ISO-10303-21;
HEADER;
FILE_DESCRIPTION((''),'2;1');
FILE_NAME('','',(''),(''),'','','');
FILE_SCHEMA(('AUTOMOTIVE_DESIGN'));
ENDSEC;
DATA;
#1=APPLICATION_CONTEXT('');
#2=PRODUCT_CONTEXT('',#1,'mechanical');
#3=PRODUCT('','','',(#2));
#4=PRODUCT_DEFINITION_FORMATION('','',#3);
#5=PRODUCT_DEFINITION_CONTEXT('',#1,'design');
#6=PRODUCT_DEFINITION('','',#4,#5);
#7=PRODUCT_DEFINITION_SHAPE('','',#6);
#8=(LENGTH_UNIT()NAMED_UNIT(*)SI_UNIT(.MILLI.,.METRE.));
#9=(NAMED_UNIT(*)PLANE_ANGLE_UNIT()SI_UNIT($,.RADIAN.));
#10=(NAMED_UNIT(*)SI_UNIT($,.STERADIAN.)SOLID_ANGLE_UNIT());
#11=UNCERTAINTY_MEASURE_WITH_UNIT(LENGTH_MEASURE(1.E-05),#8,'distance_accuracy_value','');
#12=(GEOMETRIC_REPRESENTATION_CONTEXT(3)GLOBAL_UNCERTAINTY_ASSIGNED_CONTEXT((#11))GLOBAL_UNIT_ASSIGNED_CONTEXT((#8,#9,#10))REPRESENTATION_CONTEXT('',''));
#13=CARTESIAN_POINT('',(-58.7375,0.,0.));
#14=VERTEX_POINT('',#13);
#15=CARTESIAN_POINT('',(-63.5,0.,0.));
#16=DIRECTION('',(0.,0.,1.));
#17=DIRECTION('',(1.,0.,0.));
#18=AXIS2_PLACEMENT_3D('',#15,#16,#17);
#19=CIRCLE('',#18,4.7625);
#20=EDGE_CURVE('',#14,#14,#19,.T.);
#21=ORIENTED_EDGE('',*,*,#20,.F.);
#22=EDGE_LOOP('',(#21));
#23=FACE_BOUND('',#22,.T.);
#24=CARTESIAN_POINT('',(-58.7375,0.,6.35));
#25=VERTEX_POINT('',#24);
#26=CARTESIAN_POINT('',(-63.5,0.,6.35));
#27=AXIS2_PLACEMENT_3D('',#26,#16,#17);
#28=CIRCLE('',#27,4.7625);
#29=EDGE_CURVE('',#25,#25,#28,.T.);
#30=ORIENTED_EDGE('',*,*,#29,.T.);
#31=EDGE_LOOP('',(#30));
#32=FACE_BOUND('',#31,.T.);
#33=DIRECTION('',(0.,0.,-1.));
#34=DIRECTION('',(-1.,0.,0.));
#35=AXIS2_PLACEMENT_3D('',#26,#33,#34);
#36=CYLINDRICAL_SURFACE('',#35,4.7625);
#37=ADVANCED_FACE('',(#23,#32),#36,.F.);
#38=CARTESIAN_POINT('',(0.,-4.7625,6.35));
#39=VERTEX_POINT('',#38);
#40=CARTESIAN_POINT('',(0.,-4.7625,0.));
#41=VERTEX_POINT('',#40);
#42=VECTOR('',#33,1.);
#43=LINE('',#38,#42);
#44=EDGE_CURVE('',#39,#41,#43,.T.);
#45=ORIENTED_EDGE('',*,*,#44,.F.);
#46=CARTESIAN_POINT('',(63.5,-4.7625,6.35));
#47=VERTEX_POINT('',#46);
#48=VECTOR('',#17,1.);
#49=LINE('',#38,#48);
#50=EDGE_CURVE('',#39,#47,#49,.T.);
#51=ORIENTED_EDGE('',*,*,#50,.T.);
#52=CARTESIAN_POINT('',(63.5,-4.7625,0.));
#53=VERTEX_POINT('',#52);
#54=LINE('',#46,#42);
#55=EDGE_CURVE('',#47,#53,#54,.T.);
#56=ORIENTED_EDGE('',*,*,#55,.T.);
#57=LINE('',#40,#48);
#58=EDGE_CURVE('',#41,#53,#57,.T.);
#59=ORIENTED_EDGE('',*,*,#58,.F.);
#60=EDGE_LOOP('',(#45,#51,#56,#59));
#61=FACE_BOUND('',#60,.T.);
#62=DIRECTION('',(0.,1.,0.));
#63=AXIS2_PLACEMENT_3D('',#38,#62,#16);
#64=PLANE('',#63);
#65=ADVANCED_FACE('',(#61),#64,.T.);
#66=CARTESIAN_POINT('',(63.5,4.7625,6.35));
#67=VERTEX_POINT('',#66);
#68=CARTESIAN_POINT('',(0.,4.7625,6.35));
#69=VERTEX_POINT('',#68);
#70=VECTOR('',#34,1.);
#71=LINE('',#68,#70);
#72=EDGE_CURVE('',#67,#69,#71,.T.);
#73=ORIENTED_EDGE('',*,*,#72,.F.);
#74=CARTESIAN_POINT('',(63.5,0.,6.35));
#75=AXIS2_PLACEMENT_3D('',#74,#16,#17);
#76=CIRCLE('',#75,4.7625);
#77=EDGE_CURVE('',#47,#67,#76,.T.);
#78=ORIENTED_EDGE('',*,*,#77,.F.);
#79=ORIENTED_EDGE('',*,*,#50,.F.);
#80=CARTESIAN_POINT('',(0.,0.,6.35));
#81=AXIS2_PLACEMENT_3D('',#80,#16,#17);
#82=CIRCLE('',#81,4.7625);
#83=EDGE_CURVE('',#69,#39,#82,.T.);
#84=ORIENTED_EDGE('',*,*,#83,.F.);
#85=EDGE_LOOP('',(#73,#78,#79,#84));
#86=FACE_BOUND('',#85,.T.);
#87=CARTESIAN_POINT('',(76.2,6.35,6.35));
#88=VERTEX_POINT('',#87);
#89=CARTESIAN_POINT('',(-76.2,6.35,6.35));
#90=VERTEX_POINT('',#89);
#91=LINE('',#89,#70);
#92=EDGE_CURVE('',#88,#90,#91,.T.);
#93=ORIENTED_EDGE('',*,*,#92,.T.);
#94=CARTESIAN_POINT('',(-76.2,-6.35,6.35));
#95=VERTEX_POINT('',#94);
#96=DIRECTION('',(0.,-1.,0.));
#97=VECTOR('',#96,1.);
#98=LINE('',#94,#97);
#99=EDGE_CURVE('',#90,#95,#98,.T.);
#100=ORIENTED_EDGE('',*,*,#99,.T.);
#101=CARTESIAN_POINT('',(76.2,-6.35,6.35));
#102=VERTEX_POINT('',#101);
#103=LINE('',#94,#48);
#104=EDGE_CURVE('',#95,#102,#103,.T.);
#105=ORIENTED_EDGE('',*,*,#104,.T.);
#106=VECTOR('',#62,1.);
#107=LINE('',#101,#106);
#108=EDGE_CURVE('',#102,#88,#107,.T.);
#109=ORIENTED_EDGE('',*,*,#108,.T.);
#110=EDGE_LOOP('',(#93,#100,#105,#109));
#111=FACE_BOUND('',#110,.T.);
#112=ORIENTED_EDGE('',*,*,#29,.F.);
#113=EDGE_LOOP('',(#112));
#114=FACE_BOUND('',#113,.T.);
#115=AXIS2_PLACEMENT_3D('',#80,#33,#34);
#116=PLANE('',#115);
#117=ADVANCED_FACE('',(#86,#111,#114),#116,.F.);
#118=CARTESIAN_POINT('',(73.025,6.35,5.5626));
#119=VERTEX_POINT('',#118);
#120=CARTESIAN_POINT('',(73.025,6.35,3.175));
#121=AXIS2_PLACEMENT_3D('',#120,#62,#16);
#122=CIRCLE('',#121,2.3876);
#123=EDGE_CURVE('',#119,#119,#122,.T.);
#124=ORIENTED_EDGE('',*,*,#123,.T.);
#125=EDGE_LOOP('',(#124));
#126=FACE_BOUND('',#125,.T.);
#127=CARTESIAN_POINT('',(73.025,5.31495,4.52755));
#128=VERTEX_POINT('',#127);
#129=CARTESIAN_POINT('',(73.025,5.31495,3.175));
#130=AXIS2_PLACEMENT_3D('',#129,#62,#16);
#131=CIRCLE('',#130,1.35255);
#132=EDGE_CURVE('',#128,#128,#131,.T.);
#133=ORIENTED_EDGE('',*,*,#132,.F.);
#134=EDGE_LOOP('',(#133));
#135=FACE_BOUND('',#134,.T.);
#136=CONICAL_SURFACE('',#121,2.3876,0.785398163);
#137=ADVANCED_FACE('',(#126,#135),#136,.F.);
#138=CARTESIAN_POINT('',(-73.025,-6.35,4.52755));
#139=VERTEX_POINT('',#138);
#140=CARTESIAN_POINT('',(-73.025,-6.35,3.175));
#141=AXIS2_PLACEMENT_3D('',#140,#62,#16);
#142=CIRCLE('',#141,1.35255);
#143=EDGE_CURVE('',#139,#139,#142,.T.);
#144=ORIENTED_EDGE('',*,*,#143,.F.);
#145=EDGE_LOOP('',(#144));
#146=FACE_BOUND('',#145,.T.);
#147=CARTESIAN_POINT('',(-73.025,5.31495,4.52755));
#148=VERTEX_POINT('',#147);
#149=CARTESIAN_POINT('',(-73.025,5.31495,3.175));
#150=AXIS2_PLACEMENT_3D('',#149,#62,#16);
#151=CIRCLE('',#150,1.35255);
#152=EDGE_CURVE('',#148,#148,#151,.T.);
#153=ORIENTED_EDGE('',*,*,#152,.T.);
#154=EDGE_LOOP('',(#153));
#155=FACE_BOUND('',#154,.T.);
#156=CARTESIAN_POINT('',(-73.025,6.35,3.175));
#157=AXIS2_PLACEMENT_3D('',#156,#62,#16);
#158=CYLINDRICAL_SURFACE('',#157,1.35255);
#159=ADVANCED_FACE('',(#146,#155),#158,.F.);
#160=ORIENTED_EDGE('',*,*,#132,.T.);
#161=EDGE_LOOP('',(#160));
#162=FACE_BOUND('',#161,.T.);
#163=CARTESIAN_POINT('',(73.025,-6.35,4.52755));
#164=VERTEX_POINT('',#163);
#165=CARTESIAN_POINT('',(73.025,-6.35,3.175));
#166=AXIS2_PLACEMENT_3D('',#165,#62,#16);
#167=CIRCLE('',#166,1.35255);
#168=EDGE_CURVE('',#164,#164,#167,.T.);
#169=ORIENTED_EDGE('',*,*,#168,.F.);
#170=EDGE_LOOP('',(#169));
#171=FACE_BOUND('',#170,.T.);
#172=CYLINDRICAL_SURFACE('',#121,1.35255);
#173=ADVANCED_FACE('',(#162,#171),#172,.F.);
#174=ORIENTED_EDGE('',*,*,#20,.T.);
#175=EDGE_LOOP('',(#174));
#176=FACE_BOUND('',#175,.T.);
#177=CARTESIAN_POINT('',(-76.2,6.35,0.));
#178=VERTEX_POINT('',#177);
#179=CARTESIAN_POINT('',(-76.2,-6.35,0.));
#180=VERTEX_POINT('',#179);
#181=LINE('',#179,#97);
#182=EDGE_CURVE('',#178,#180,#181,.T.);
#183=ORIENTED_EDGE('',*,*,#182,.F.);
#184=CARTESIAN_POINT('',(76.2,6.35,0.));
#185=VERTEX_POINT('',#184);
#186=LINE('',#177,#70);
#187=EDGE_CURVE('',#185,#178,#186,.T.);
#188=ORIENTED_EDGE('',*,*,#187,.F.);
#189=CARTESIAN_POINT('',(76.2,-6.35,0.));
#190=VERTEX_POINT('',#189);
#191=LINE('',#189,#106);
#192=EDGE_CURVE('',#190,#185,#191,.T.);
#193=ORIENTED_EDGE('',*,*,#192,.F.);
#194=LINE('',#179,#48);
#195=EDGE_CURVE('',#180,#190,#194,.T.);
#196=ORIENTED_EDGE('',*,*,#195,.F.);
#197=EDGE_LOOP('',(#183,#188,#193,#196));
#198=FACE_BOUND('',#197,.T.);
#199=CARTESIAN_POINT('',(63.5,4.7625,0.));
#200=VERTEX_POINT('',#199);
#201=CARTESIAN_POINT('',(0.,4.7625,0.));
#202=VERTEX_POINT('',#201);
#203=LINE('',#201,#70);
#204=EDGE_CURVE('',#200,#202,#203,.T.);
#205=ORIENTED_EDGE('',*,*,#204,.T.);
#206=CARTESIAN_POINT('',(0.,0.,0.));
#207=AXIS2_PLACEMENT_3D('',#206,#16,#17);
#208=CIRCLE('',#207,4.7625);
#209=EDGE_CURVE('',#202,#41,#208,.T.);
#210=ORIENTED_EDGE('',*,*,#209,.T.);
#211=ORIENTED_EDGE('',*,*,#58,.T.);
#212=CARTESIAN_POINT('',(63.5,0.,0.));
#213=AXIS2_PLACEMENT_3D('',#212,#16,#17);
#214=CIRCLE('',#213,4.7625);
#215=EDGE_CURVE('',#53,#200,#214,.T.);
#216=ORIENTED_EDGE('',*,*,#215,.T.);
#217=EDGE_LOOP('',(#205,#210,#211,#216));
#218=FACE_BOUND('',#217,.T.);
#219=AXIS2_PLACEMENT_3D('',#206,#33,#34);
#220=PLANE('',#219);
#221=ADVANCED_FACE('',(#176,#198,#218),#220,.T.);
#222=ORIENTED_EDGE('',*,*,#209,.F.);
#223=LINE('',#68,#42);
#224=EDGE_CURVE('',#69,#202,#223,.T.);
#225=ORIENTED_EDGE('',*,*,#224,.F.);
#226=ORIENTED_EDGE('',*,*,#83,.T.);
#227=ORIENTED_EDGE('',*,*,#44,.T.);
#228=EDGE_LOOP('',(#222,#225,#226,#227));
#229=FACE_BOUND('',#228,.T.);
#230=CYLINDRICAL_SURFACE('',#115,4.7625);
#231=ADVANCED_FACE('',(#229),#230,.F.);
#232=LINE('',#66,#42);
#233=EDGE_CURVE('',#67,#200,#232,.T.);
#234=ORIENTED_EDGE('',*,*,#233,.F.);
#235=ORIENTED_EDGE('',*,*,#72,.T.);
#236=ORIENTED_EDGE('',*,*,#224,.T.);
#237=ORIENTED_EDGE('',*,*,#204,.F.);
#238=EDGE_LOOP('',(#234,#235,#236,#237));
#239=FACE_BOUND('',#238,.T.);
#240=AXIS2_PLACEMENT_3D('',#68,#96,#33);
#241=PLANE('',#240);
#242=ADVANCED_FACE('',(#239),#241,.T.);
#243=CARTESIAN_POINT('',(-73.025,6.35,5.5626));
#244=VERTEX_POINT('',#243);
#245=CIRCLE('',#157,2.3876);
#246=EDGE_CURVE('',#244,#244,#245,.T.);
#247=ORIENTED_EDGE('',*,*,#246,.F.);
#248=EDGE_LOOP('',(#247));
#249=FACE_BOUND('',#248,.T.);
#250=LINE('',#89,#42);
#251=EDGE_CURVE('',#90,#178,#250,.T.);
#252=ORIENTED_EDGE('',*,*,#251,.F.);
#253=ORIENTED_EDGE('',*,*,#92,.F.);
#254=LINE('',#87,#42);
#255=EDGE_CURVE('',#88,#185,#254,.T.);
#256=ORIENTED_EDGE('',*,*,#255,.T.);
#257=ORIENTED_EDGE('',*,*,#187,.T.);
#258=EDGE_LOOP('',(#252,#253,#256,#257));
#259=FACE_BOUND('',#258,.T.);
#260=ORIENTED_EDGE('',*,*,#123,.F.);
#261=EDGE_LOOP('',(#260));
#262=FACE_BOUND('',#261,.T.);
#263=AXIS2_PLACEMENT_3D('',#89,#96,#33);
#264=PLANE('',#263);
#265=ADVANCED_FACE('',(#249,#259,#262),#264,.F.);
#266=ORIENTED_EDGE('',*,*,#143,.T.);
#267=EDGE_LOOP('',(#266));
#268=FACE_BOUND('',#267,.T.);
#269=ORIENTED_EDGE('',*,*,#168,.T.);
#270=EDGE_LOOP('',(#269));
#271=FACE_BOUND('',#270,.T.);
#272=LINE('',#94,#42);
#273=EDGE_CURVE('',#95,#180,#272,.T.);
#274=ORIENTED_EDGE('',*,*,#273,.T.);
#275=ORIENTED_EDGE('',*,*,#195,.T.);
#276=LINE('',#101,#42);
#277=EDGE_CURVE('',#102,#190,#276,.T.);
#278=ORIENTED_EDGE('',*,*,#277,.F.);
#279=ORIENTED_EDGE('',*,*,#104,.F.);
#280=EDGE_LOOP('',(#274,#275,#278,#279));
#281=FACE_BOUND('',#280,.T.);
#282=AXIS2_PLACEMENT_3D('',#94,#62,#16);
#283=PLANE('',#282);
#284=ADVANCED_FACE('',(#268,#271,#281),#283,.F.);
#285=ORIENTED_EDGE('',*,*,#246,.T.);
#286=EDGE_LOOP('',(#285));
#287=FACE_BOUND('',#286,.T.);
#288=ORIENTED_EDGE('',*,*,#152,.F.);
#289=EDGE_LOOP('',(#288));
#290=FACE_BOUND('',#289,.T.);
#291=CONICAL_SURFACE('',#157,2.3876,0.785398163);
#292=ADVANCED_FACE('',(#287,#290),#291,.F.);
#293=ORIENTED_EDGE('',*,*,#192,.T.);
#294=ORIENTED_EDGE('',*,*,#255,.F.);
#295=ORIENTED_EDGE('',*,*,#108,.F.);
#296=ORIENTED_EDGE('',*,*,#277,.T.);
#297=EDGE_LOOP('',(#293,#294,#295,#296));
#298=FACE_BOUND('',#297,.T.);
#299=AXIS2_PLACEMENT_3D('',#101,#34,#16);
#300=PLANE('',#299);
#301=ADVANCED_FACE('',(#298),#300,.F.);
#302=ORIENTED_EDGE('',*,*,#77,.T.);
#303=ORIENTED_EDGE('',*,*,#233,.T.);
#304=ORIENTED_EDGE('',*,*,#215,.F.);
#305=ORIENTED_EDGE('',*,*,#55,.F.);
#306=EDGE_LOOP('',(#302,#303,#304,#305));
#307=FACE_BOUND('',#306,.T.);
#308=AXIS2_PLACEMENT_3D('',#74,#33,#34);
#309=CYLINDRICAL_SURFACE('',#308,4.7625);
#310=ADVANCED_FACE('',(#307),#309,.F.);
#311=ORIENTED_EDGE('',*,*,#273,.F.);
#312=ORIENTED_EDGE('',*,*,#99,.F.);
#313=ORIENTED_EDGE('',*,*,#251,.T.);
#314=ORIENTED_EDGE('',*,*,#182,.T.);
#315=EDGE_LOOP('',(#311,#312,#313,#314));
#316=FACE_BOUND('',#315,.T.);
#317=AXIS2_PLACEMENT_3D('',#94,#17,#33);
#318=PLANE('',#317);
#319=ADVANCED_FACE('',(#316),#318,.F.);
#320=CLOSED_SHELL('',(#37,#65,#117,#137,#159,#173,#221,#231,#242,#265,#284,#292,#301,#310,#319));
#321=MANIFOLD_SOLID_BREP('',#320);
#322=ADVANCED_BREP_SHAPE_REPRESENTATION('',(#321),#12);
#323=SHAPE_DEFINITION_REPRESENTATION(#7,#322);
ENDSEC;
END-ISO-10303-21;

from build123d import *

# Parameters (mm, degrees)
SKETCH2_W                       = 152.4
SKETCH2_H                       = 12.7
SKETCH2_R                       = 4.7625
BOSS_EXTRUDE1_DEPTH             = 6.35
F_6_32_TAPPED_HOLE1_D           = 2.7051
F_6_32_TAPPED_HOLE1_CSINK_D     = 4.7752
F_6_32_TAPPED_HOLE1_CSINK_ANGLE = 90
F_6_32_TAPPED_HOLE2_D           = 2.7051
F_6_32_TAPPED_HOLE2_CSINK_D     = 4.7752
F_6_32_TAPPED_HOLE2_CSINK_ANGLE = 90


with BuildPart() as part:
    # Sketch2 → Boss-Extrude1 (new body)
    with BuildSketch(Plane.XY):
        Rectangle(SKETCH2_W, SKETCH2_H)
        with Locations((-63.5, 0)):
            Circle(SKETCH2_R, mode=Mode.SUBTRACT)
        with BuildLine():
            Line((0, -4.7625), (63.5, -4.7625))
            ThreePointArc((63.5, -4.7625), (68.2625, 0), (63.5, 4.7625))
            Line((63.5, 4.7625), (0, 4.7625))
            ThreePointArc((0, 4.7625), (-4.7625, 0), (0, -4.7625))
        make_face(mode=Mode.SUBTRACT)
    extrude(amount=BOSS_EXTRUDE1_DEPTH)

    # #6-32 Tapped Hole1 (through all)
    with Locations(Plane(origin=(0, 6.35, 0), x_dir=(1, 0, 0), z_dir=(0, 1, 0))):
        with Locations((-73.025, -3.175)):
            CounterSinkHole(F_6_32_TAPPED_HOLE1_D / 2, F_6_32_TAPPED_HOLE1_CSINK_D / 2, counter_sink_angle=F_6_32_TAPPED_HOLE1_CSINK_ANGLE)

    # #6-32 Tapped Hole2 (through all)
    with Locations(Plane(origin=(0, 6.35, 0), x_dir=(1, 0, 0), z_dir=(0, 1, 0))):
        with Locations((73.025, -3.175)):
            CounterSinkHole(F_6_32_TAPPED_HOLE2_D / 2, F_6_32_TAPPED_HOLE2_CSINK_D / 2, counter_sink_angle=F_6_32_TAPPED_HOLE2_CSINK_ANGLE)


solid = part.part
